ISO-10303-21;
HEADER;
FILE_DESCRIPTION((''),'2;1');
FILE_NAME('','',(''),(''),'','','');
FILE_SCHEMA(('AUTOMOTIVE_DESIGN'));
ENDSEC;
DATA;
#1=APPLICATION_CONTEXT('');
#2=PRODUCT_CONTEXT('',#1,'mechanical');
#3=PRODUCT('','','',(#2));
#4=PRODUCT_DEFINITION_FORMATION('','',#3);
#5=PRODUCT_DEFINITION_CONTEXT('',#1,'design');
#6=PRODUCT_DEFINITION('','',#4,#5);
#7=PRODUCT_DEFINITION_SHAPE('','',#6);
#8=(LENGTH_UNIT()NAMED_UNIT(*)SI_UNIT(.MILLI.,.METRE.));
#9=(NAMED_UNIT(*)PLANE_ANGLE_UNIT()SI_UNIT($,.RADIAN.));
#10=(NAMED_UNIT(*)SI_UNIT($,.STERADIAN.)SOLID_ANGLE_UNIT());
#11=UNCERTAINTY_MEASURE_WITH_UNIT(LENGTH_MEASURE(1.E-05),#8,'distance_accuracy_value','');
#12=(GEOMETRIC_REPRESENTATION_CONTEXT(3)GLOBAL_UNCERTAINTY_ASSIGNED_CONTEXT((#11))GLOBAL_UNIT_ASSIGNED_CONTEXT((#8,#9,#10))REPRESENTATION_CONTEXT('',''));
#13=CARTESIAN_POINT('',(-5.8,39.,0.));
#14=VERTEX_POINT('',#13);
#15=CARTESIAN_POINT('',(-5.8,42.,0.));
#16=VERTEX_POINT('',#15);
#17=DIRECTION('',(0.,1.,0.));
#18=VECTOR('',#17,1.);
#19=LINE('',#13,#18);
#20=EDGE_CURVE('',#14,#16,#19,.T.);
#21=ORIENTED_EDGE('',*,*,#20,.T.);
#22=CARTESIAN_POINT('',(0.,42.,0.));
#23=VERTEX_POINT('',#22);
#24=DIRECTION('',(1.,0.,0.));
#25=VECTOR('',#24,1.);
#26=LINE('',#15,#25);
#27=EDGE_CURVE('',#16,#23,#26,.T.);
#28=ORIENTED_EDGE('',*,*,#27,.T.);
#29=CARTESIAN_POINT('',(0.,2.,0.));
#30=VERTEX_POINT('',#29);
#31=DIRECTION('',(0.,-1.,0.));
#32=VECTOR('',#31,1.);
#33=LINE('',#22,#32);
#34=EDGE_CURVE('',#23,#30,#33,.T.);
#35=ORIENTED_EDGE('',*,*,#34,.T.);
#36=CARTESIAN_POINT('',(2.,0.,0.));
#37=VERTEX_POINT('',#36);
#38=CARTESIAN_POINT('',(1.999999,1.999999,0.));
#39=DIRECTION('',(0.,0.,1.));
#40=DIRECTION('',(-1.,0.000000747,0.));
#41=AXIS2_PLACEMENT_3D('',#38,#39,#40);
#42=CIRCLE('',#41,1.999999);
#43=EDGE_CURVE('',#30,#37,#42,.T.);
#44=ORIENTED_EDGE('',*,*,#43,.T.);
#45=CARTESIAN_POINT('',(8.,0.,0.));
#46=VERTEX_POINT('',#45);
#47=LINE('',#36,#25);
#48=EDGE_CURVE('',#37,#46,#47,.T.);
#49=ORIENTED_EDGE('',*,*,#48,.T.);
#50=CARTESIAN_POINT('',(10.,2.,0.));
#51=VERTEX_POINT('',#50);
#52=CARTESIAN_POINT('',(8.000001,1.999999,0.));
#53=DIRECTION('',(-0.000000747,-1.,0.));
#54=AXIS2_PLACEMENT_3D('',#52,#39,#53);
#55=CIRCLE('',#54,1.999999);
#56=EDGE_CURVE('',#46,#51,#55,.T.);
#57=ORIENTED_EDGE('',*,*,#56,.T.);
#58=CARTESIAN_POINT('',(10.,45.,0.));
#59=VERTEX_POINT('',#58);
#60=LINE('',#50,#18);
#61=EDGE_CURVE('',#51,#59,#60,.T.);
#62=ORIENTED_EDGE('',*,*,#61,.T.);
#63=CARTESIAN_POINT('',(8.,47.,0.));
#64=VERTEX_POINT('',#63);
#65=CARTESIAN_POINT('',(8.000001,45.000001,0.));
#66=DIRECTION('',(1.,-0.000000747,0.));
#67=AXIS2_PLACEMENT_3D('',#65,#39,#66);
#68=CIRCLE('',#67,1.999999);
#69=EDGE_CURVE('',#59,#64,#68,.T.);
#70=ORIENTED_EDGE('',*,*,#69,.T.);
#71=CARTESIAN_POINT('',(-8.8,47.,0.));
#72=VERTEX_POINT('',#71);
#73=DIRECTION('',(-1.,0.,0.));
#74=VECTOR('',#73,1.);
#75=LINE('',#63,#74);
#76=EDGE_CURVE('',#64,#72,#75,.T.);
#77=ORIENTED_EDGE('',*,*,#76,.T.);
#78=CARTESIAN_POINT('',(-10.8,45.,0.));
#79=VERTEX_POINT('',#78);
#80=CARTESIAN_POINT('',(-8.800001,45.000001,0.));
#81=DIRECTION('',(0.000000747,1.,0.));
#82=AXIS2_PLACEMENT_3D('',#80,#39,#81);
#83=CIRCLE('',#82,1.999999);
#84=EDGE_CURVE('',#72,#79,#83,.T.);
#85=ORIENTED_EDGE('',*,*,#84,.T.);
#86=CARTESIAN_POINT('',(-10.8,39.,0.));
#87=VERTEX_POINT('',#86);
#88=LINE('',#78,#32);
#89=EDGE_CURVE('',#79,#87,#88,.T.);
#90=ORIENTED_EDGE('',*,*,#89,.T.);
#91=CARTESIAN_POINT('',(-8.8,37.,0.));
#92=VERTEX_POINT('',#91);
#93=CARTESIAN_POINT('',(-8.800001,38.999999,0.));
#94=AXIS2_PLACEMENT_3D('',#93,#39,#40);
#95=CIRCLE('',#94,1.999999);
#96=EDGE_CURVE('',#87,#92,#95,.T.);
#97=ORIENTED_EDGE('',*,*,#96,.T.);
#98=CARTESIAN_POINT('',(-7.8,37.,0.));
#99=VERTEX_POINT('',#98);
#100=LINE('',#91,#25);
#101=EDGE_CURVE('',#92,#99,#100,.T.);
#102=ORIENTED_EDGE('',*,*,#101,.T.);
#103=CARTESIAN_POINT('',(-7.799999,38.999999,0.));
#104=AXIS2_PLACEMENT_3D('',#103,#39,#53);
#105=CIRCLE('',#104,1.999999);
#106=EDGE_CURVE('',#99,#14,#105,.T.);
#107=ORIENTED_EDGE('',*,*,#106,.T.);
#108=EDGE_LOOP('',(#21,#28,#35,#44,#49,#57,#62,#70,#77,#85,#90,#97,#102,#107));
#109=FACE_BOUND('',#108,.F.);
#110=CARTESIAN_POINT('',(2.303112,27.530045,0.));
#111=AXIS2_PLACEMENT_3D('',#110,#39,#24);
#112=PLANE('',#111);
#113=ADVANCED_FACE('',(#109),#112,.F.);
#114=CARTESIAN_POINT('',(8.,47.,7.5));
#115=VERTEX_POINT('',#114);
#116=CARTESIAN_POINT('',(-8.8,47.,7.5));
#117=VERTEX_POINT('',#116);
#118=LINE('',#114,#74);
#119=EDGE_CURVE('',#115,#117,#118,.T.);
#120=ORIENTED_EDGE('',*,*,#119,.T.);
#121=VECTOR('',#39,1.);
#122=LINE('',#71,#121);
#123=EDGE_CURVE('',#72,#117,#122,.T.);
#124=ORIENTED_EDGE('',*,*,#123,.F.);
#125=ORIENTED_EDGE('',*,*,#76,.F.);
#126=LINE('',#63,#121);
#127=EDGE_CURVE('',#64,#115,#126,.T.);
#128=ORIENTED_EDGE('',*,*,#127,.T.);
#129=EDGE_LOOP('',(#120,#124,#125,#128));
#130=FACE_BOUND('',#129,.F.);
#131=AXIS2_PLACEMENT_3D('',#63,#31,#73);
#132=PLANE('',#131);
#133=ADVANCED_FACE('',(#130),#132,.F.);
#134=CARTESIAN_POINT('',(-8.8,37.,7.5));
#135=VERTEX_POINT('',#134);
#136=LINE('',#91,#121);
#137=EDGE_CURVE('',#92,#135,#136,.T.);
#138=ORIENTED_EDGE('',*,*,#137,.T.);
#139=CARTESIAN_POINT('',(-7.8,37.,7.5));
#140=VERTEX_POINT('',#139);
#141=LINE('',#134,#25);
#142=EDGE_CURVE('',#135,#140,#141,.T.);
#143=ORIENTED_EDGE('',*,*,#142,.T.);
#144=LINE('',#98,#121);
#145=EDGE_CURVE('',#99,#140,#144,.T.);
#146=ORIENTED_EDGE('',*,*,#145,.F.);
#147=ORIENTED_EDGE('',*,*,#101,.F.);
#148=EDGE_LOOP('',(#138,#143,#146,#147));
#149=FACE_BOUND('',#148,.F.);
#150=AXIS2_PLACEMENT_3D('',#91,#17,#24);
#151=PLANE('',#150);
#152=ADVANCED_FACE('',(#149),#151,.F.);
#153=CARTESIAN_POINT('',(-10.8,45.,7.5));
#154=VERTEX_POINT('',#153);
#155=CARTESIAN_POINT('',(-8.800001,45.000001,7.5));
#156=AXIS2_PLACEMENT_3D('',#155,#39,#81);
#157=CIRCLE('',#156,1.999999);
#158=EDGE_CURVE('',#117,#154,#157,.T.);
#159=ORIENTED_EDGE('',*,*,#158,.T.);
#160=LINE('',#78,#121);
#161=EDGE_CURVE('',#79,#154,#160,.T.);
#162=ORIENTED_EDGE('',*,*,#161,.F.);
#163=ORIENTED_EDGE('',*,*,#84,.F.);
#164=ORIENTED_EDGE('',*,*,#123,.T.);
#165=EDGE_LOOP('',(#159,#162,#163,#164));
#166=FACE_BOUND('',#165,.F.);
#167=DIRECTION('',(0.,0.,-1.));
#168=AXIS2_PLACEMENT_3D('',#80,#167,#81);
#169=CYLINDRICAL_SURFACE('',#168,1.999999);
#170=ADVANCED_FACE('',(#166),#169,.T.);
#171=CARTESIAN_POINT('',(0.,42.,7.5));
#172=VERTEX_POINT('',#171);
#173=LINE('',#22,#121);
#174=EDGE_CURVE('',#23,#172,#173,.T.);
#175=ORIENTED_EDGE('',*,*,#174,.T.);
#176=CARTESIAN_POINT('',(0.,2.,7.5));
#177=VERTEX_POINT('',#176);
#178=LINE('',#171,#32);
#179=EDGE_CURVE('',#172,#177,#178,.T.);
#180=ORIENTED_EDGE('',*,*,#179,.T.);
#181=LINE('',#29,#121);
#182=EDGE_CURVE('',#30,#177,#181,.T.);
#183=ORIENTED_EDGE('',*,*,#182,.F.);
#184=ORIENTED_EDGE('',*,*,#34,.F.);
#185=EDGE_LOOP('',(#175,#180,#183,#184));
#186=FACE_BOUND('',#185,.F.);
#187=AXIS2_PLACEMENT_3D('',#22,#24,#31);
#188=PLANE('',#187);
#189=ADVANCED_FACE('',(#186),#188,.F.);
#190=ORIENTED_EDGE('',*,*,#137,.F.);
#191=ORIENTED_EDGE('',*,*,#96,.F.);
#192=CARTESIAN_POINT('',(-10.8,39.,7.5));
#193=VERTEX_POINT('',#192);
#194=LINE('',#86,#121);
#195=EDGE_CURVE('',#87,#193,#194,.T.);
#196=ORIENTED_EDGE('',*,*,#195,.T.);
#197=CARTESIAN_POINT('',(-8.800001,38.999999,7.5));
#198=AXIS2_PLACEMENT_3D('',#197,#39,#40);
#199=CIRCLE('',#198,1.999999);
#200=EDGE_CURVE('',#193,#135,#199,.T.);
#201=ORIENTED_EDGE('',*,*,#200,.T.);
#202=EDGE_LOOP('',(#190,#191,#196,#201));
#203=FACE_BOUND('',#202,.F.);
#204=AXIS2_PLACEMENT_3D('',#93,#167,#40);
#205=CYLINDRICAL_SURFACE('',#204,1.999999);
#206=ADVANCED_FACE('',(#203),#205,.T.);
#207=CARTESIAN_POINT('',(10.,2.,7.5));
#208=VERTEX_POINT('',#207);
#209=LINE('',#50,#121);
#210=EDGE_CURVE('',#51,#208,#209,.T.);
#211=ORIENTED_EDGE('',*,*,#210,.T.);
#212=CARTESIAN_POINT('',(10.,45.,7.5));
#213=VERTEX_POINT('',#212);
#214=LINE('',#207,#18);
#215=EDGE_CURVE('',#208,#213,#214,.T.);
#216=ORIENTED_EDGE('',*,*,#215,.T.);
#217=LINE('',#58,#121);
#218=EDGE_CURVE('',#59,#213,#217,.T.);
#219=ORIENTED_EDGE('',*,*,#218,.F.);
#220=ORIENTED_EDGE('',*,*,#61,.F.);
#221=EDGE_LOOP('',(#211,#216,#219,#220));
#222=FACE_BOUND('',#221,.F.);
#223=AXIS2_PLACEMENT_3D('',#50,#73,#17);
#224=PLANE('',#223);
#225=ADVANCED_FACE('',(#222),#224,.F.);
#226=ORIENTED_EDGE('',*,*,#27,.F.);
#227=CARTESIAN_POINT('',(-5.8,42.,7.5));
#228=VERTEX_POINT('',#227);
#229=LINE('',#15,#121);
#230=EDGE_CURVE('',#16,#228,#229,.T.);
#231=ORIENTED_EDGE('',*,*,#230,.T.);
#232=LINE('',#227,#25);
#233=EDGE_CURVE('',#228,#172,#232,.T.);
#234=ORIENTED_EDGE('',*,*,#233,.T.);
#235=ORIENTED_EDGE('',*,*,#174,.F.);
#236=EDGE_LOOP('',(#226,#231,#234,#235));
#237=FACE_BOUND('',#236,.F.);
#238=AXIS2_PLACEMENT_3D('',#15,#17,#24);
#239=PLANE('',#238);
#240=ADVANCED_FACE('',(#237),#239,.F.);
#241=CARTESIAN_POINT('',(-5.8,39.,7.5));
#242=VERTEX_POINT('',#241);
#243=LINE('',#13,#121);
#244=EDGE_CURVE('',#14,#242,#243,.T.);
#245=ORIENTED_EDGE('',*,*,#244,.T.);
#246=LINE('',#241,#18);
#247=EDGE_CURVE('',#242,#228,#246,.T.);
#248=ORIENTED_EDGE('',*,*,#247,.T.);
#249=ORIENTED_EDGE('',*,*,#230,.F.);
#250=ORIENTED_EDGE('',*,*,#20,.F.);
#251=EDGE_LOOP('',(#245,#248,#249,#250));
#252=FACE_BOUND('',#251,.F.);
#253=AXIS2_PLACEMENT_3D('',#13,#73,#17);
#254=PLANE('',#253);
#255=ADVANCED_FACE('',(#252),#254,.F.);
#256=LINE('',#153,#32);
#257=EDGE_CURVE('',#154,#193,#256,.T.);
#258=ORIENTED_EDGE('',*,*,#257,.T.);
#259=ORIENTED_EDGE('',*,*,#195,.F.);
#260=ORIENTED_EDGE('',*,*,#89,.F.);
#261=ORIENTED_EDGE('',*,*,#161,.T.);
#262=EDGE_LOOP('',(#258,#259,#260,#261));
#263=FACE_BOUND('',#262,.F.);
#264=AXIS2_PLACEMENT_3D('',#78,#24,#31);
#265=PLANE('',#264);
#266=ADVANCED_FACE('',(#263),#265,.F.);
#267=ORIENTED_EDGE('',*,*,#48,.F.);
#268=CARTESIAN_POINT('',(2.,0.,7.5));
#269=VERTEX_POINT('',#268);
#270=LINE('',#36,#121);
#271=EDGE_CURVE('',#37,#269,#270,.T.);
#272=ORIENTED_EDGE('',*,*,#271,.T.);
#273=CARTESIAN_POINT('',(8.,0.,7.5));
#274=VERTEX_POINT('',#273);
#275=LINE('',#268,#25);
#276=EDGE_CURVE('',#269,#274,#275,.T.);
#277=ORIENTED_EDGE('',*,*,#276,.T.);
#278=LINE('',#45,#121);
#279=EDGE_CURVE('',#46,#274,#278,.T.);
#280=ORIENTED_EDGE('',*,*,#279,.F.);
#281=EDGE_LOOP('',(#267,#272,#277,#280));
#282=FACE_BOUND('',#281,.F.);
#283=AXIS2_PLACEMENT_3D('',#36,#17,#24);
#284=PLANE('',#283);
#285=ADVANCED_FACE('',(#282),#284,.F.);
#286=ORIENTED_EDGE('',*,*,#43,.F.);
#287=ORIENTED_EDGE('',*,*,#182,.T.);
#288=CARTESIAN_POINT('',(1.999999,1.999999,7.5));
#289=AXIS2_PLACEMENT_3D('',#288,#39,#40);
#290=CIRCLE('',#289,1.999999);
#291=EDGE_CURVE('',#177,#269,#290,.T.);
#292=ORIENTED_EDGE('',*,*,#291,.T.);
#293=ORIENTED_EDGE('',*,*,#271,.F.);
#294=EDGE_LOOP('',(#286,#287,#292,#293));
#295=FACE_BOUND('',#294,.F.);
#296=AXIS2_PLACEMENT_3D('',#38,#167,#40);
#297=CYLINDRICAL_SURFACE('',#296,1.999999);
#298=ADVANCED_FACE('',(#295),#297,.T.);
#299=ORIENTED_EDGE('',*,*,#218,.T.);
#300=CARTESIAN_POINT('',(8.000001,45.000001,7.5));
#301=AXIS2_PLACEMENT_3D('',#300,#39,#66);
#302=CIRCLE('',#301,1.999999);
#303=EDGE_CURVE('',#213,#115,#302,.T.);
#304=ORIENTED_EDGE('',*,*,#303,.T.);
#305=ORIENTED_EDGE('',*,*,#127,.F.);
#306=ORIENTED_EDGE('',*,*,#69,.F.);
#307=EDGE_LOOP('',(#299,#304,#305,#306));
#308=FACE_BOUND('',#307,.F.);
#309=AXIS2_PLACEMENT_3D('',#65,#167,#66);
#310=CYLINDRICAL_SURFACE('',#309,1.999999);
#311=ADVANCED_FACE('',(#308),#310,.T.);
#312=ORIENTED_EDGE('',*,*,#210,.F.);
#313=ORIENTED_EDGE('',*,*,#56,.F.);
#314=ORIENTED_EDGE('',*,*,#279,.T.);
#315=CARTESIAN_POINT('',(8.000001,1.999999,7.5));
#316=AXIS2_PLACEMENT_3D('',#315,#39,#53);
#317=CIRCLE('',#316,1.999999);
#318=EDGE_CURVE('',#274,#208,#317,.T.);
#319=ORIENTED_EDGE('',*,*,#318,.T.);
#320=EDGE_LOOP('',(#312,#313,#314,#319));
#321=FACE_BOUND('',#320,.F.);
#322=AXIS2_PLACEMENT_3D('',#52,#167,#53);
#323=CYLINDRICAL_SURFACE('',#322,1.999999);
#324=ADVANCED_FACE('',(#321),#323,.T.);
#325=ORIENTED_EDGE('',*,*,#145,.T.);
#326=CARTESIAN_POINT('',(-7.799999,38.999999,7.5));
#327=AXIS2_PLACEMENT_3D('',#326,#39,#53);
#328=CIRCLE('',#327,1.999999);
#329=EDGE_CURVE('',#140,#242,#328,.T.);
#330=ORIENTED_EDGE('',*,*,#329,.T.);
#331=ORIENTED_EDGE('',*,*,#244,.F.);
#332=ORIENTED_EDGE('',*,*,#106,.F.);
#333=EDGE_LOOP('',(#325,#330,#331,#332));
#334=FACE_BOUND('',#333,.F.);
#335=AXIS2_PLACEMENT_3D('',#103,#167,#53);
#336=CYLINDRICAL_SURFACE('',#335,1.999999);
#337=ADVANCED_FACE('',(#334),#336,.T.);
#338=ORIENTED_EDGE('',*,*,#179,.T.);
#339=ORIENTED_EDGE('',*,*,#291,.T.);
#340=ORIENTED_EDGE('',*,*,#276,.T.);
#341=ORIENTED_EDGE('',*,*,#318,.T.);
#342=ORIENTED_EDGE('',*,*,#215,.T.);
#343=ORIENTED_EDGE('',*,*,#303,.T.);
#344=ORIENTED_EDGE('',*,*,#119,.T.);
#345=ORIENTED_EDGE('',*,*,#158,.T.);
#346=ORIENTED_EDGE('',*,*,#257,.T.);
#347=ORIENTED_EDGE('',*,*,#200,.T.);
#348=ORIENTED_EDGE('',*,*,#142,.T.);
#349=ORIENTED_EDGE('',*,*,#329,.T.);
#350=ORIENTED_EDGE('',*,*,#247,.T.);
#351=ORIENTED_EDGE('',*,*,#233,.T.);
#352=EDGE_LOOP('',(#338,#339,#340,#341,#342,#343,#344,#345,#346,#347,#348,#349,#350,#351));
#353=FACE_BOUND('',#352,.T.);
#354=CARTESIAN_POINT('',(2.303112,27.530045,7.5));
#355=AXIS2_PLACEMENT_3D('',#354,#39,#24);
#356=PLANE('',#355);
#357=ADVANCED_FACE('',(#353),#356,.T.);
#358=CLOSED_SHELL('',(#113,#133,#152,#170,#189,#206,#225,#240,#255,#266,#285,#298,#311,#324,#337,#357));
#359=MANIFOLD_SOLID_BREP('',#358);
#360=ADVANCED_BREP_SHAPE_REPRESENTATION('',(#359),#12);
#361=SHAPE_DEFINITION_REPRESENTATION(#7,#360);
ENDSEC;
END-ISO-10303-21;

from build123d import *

# Parameters (mm, degrees)
F1_DEPTH = 7.5


with BuildPart() as f1:
    # F0 (on Top) → F1 (new body)
    with BuildSketch(Plane.XY):
        with BuildLine():
            ThreePointArc((0, 2), (0.585786, 0.585786), (2, 0))
            Line((2, 0), (8, 0))
            ThreePointArc((8, 0), (9.414214, 0.585786), (10, 2))
            Line((10, 2), (10, 45))
            ThreePointArc((10, 45), (9.414214, 46.414214), (8, 47))
            Line((8, 47), (-8.8, 47))
            ThreePointArc((-8.8, 47), (-10.214214, 46.414214), (-10.8, 45))
            Line((-10.8, 45), (-10.8, 39))
            ThreePointArc((-10.8, 39), (-10.214214, 37.585786), (-8.8, 37))
            Line((-8.8, 37), (-7.8, 37))
            ThreePointArc((-7.8, 37), (-6.385786, 37.585786), (-5.8, 39))
            Line((-5.8, 39), (-5.8, 42))
            Line((-5.8, 42), (0, 42))
            Line((0, 42), (0, 2))
        make_face()
    extrude(amount=F1_DEPTH)


solid = f1.part
